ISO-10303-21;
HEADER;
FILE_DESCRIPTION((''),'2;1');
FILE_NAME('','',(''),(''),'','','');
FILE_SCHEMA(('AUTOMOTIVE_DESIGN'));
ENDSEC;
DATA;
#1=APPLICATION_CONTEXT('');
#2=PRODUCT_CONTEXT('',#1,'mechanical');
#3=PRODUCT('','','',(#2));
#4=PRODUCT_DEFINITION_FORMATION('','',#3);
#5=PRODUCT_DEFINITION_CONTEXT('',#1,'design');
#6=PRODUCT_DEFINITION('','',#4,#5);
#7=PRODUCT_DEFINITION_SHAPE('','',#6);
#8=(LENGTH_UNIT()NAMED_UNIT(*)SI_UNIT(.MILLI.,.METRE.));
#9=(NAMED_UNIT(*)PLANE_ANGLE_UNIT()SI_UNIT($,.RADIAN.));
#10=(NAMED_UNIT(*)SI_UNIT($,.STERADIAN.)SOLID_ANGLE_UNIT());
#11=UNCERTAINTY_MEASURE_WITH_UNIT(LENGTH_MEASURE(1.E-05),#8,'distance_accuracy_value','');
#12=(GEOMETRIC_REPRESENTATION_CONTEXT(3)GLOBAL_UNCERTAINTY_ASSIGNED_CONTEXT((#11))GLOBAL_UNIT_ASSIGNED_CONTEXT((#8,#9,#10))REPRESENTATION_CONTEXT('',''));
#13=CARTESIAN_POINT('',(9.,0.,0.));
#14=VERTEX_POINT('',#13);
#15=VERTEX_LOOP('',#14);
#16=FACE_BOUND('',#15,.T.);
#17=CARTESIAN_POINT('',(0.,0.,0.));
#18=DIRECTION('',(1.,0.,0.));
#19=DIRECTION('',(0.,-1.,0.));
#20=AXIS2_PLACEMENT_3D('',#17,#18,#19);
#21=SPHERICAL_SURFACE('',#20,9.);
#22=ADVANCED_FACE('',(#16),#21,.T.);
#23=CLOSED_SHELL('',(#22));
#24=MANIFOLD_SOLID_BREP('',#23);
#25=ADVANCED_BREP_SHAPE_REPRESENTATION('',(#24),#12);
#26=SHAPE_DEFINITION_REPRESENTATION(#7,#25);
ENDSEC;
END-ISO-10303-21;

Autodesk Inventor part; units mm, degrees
ref_plane "YZ Plane" through (0, 0, 0) normal (1, 0, 0) x (0, 1, 0)
ref_plane "XZ Plane" through (0, 0, 0) normal (0, 1, 0) x (-1, 0, 0)
ref_plane "XY Plane" through (0, 0, 0) normal (0, 0, 1) x (1, 0, 0)
sketch "Esboço1" plane through (0, 0, 0) normal (0, 0, 1) x (1, 0, 0)
  arc A0 (-9, 0) -> (9, 0) centre (0, 0) ccw
  line L0 (-9, 0) -> (9, 0)
  dimension "d0" = 18
revolve "Revolução1" add sketch "Esboço1" angle 360 about axis through (-9, 0, 0) along (1, 0, 0)
properties part number "Bola" material "Aço inoxidável"
